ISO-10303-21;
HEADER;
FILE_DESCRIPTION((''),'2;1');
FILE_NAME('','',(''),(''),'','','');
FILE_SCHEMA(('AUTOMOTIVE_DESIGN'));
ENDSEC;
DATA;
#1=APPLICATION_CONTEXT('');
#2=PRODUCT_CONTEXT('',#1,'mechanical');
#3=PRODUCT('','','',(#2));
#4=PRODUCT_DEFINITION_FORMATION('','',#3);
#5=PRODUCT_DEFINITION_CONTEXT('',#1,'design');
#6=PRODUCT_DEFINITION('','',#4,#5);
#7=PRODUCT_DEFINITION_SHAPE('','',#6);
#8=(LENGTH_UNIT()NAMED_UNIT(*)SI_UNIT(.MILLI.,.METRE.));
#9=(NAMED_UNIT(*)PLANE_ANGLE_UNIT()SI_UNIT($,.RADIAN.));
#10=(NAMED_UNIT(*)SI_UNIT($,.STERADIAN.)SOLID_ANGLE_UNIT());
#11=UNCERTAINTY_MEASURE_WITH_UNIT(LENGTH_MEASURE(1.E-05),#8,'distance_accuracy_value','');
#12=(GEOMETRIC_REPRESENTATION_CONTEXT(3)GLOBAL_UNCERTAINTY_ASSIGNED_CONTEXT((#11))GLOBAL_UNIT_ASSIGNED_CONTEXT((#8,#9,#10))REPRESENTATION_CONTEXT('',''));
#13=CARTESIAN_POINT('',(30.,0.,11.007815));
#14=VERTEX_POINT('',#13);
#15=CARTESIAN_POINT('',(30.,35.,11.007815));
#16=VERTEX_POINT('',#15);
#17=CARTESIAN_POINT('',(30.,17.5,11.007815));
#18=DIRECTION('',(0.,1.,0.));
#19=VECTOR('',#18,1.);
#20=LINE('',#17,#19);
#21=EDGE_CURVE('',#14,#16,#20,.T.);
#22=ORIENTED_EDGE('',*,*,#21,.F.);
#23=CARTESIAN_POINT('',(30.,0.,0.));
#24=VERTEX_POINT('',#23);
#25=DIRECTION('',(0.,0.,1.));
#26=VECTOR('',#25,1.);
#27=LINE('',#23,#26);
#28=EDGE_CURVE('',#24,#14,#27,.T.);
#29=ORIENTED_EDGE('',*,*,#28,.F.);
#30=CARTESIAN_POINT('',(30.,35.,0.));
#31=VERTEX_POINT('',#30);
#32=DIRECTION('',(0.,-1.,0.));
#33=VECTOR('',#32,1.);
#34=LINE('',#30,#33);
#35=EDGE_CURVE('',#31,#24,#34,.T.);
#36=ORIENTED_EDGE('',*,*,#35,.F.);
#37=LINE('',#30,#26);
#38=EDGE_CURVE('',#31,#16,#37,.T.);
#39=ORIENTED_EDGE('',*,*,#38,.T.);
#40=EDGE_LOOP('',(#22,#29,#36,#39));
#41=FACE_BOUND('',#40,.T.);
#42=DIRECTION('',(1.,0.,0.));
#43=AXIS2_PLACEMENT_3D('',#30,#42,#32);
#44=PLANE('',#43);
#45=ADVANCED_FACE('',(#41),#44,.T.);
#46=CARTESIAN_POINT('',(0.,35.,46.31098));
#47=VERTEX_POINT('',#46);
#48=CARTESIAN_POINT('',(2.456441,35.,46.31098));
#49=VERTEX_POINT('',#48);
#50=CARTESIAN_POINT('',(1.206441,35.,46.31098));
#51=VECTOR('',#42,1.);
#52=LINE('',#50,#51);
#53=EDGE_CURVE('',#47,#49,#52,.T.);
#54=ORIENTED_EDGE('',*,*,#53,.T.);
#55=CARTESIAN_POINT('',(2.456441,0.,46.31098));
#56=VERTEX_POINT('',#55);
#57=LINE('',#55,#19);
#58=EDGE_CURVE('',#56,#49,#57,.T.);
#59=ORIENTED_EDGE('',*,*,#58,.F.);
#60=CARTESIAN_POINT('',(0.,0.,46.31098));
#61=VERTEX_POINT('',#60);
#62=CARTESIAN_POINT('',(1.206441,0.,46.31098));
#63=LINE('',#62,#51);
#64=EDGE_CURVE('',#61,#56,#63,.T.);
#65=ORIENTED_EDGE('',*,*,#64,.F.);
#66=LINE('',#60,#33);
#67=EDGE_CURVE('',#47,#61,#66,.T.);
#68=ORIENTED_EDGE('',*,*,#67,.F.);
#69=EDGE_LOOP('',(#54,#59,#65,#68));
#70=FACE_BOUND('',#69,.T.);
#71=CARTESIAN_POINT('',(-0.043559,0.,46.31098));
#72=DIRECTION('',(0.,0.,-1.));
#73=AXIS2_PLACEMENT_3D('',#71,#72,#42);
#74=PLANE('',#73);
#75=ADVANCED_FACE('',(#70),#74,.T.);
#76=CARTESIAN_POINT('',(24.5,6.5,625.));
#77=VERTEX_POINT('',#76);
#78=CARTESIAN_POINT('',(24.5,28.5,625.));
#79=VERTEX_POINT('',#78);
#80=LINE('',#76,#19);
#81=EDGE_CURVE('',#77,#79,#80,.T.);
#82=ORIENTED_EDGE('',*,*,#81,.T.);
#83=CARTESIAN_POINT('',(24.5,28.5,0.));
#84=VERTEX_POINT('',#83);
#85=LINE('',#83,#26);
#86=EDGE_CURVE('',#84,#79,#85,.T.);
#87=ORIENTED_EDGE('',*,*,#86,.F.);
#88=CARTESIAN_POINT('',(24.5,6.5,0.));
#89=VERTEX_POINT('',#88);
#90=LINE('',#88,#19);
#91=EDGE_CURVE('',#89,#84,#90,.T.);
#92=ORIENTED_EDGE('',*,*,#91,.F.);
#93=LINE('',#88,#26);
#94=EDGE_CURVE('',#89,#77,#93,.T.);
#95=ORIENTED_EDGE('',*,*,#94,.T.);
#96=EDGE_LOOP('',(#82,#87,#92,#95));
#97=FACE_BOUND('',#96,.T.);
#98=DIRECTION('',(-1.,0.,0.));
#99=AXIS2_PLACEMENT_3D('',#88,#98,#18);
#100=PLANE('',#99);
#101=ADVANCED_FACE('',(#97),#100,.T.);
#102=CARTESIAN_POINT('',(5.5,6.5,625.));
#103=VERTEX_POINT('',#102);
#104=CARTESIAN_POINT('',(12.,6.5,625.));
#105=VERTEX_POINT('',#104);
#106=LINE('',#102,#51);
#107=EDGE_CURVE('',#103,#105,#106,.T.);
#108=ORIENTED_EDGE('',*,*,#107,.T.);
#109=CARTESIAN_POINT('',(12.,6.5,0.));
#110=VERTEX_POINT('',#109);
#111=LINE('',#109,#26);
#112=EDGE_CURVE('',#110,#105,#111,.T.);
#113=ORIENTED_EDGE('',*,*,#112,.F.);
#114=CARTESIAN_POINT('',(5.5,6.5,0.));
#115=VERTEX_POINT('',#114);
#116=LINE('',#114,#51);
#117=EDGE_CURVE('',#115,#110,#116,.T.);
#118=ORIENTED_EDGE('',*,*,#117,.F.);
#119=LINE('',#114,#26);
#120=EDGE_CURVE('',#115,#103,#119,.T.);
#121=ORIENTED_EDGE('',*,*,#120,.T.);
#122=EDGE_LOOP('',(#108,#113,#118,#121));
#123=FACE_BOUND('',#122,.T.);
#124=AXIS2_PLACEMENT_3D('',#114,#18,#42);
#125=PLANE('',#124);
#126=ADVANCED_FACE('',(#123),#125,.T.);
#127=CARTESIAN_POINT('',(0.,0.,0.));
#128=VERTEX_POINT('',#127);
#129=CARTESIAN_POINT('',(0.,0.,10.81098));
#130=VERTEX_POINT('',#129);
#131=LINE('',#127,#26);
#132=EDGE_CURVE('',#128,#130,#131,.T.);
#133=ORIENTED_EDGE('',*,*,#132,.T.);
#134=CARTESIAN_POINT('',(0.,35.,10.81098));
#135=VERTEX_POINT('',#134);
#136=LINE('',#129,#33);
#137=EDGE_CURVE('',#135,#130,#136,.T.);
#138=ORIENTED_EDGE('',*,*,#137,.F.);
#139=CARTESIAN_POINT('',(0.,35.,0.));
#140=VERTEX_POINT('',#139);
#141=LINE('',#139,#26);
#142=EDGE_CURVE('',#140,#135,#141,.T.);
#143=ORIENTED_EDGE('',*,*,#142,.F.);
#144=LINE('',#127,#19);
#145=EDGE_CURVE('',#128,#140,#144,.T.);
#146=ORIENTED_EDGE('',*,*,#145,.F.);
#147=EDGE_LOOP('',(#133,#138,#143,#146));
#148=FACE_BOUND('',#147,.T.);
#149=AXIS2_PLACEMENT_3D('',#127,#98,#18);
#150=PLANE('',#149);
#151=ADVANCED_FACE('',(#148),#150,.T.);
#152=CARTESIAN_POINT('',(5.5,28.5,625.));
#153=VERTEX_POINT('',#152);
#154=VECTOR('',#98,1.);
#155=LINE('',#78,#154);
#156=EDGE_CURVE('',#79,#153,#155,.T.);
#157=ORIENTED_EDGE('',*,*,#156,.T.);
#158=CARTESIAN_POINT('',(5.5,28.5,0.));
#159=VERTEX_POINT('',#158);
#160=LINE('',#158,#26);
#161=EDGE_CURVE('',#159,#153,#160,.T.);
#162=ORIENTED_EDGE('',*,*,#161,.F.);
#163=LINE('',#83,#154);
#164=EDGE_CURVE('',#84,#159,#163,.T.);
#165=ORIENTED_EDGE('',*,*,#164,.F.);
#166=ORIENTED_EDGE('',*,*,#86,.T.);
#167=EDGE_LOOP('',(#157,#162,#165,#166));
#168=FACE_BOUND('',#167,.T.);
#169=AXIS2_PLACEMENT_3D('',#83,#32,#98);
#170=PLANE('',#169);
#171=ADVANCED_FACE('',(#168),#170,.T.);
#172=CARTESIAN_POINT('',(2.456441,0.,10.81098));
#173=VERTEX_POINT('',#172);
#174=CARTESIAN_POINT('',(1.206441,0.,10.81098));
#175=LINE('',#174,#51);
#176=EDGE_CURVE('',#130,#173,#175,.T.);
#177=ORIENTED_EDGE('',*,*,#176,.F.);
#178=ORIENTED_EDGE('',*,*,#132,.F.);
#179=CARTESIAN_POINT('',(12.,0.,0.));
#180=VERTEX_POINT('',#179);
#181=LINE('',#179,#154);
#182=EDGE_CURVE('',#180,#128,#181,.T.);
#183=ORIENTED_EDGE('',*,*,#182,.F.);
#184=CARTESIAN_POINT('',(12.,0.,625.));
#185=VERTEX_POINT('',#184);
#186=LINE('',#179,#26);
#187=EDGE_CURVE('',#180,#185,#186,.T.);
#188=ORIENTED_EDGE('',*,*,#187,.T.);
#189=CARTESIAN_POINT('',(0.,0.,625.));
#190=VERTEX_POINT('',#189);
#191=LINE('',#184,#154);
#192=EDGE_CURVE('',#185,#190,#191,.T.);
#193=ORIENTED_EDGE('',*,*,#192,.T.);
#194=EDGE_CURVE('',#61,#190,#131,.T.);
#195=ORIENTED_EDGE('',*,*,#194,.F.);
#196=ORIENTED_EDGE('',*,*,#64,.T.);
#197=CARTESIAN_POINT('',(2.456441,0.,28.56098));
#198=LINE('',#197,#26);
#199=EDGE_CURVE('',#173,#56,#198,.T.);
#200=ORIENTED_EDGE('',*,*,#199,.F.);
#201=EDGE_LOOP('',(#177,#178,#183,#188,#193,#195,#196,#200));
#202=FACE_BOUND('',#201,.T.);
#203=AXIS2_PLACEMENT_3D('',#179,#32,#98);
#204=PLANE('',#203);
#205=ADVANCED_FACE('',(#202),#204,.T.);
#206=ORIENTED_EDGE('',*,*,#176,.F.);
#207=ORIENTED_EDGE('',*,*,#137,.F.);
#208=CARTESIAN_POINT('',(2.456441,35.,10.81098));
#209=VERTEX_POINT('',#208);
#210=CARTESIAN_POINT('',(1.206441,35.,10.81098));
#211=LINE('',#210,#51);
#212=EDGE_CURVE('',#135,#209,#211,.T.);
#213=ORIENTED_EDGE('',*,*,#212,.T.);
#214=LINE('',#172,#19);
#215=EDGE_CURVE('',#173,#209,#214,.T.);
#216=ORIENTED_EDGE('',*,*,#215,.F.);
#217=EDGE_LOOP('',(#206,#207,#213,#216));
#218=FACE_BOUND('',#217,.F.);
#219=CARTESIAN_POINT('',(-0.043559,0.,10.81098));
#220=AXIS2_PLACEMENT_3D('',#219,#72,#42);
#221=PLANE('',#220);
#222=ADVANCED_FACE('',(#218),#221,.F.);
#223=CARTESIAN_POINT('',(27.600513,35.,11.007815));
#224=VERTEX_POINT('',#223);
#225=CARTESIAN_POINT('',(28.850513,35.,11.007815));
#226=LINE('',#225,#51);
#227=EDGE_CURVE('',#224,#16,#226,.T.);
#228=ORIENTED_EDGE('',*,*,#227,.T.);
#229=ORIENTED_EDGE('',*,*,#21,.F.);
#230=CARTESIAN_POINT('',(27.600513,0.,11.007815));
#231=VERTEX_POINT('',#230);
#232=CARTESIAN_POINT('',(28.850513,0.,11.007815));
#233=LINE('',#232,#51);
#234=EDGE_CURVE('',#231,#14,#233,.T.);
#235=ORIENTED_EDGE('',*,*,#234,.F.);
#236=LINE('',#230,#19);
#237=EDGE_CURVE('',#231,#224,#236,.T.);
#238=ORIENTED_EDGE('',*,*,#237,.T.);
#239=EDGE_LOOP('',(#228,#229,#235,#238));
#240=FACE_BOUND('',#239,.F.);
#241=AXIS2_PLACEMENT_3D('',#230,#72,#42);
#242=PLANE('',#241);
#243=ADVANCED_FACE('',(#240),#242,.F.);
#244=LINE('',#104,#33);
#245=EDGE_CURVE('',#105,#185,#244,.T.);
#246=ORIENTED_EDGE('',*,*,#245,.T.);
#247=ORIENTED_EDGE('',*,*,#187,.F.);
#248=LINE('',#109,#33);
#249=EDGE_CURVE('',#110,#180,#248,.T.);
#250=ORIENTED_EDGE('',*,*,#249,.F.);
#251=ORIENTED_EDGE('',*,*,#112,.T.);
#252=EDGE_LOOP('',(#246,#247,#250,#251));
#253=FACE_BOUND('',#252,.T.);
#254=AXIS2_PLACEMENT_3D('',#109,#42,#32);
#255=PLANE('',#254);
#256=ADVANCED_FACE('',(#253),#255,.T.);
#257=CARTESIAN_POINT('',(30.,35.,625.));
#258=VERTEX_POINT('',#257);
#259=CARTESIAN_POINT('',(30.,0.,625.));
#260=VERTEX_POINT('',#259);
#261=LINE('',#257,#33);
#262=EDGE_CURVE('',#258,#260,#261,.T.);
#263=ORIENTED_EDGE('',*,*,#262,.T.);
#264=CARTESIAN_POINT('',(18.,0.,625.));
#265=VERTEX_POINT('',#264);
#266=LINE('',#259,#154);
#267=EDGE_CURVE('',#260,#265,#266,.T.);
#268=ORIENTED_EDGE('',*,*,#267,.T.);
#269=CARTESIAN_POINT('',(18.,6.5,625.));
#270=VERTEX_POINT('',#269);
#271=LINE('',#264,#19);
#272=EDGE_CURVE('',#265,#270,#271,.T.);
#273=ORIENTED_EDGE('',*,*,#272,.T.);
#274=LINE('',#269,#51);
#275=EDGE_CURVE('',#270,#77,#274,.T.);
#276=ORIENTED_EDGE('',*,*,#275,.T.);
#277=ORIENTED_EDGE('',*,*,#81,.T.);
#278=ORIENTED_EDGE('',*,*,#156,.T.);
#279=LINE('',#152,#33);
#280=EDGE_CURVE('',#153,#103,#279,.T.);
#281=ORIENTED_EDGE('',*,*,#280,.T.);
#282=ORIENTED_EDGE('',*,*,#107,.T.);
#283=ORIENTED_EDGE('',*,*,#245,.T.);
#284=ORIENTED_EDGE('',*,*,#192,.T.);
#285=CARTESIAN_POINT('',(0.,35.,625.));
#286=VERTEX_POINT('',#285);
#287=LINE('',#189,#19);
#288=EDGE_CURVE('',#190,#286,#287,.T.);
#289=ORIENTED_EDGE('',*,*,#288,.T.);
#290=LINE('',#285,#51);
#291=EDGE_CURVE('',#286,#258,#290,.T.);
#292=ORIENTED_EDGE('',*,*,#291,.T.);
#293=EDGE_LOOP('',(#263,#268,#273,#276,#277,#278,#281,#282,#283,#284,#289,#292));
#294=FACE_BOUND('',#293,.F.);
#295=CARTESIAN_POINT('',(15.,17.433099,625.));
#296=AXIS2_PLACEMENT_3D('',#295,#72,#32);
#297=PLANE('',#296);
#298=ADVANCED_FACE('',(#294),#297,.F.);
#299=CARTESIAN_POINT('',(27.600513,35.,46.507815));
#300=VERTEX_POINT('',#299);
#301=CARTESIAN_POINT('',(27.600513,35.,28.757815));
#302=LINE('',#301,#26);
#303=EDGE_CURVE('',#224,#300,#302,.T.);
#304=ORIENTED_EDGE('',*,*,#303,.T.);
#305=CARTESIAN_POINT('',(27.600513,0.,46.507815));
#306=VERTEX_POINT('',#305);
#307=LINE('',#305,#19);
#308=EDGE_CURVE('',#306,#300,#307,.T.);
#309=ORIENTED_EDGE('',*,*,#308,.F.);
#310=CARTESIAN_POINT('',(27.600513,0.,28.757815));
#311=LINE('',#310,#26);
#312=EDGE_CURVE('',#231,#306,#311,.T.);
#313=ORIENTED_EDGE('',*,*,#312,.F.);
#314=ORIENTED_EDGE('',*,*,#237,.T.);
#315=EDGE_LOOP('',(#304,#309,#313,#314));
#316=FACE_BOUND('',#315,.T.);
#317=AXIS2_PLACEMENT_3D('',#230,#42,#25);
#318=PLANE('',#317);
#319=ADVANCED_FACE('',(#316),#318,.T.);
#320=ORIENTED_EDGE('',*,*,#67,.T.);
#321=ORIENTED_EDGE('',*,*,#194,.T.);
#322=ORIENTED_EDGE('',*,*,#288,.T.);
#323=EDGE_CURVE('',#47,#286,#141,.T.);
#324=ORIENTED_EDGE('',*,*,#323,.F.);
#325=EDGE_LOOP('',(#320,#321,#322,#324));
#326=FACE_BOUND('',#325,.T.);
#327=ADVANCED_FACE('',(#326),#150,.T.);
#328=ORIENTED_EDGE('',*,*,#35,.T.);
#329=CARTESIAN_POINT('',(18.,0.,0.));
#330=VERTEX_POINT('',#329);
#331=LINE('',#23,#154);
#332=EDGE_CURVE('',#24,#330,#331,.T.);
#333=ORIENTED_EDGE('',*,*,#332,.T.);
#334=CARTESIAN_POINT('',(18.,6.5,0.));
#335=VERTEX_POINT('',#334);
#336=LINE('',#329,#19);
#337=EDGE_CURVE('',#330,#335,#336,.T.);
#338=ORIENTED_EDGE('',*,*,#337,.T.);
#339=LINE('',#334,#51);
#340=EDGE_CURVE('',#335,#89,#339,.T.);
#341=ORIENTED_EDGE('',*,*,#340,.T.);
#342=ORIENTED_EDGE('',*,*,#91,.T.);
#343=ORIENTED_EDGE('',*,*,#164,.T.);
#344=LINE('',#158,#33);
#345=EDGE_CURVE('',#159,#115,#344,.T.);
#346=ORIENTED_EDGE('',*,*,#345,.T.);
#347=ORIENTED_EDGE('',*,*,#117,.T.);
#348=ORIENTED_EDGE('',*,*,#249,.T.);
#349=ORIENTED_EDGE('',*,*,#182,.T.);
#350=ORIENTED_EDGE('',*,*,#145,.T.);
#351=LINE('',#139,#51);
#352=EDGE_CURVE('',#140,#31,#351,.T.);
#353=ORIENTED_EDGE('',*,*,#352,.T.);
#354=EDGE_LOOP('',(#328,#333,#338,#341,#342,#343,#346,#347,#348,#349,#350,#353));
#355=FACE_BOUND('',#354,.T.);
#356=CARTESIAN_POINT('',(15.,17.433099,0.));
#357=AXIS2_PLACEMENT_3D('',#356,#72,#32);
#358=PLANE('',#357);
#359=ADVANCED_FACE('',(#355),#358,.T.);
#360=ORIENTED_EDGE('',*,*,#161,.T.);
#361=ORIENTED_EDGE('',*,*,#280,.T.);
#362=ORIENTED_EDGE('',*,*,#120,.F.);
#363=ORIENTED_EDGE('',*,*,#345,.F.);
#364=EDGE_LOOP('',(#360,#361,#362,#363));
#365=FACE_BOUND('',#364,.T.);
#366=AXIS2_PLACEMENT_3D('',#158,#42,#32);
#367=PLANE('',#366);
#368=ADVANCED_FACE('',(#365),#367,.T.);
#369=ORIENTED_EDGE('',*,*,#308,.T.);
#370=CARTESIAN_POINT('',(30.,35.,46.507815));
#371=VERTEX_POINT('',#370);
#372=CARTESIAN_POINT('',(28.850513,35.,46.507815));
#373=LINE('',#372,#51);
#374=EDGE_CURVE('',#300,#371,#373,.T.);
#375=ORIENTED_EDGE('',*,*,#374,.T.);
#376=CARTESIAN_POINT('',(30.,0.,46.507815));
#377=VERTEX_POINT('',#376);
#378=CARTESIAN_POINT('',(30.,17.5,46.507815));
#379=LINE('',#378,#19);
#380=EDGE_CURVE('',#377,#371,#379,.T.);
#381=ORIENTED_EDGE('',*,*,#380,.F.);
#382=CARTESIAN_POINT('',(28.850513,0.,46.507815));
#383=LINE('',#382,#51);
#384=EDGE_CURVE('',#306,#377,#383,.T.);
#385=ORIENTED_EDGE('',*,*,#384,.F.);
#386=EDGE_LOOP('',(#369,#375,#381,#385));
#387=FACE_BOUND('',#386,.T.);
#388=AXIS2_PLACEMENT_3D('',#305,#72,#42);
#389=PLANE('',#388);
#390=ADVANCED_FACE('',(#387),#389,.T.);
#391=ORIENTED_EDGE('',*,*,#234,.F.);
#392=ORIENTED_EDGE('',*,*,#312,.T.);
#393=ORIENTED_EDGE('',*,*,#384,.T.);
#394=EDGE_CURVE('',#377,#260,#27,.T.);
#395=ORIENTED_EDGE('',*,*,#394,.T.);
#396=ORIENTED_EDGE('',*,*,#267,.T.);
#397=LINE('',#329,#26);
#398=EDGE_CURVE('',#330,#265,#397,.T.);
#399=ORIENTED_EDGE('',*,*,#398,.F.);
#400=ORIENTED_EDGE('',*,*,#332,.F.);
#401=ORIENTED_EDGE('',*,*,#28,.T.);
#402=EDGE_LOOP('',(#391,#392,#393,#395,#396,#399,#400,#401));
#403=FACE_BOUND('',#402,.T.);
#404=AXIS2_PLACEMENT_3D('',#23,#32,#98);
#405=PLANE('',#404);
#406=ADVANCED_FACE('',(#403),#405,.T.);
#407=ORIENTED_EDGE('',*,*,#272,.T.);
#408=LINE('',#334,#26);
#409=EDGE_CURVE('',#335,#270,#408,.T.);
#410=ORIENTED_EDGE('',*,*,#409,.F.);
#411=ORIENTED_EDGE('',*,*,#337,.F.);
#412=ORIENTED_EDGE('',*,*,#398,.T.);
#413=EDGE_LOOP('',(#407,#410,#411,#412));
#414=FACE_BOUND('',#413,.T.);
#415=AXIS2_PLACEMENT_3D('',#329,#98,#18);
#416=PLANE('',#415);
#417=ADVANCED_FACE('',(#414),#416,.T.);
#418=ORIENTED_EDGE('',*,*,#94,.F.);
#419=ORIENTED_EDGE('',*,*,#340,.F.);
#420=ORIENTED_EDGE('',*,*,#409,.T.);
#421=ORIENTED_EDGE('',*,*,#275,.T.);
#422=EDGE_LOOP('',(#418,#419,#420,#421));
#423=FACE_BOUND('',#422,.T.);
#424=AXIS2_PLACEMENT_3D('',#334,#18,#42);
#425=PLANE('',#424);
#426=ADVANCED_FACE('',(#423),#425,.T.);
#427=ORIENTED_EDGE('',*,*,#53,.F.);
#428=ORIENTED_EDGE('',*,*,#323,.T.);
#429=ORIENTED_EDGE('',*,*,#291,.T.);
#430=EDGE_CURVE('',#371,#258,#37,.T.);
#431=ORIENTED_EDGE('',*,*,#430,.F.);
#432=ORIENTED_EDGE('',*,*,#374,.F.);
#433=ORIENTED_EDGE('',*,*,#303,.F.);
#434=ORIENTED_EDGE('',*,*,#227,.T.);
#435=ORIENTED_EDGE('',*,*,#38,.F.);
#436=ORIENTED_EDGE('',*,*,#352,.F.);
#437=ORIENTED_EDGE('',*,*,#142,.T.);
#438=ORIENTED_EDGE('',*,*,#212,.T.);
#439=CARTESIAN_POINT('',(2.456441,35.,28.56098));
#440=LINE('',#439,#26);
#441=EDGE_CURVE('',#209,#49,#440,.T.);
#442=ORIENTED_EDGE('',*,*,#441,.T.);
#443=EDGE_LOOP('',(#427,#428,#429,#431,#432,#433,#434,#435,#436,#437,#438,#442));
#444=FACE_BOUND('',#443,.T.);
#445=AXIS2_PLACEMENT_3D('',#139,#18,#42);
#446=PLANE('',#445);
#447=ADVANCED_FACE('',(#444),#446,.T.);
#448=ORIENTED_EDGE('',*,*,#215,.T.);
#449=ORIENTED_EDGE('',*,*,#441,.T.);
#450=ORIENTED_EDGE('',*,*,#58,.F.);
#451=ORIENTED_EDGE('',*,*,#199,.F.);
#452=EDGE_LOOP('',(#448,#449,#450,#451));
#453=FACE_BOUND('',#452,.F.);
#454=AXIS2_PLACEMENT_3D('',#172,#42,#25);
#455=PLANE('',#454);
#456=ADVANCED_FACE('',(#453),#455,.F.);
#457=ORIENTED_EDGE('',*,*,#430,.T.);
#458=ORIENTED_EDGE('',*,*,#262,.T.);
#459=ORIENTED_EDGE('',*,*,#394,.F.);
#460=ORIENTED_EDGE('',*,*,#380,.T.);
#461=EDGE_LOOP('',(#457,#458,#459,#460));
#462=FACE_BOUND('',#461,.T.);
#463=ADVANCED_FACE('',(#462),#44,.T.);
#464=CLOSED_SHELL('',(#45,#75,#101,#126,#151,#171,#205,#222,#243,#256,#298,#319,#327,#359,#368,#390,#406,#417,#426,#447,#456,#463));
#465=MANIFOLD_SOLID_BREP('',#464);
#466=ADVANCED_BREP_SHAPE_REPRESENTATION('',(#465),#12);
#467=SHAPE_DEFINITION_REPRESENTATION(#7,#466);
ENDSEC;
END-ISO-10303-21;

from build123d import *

# Parameters (mm, degrees)
PAD_DEPTH            = 625
SKETCH001_W          = 2.5
SKETCH001_H          = 35.5
POCKET_DEPTH         = 35
BODY_PLACEMENT_ANGLE = 90


with BuildPart() as part:
    # Sketch → Pad (new body)
    with BuildSketch(Plane.XY):
        Polygon((0, 0), (35, 0), (35, -30), (0, -30), (0, -18), (6.5, -18), (6.5, -24.5), (28.5, -24.5), (28.5, -5.5), (6.5, -5.5), (6.5, -12), (0, -12), align=None)
    extrude(amount=PAD_DEPTH)

    # Sketch001 → Pocket (cut)
    with BuildSketch(Plane(origin=(0, 0, 0), x_dir=(0, -1, 0), z_dir=(-1, 0, 0))):
        with Locations((28.850513, 28.757815)):
            Rectangle(SKETCH001_W, SKETCH001_H)
        with Locations((1.206441, 28.56098)):
            Rectangle(SKETCH001_W, SKETCH001_H)
    extrude(amount=-POCKET_DEPTH, mode=Mode.SUBTRACT)


with BuildPart() as part_1:
    # Body placement: moved
    add(part.part.rotate(Axis((0, 0, 0), (0, 0, 1)), BODY_PLACEMENT_ANGLE))


solid = part_1.part
